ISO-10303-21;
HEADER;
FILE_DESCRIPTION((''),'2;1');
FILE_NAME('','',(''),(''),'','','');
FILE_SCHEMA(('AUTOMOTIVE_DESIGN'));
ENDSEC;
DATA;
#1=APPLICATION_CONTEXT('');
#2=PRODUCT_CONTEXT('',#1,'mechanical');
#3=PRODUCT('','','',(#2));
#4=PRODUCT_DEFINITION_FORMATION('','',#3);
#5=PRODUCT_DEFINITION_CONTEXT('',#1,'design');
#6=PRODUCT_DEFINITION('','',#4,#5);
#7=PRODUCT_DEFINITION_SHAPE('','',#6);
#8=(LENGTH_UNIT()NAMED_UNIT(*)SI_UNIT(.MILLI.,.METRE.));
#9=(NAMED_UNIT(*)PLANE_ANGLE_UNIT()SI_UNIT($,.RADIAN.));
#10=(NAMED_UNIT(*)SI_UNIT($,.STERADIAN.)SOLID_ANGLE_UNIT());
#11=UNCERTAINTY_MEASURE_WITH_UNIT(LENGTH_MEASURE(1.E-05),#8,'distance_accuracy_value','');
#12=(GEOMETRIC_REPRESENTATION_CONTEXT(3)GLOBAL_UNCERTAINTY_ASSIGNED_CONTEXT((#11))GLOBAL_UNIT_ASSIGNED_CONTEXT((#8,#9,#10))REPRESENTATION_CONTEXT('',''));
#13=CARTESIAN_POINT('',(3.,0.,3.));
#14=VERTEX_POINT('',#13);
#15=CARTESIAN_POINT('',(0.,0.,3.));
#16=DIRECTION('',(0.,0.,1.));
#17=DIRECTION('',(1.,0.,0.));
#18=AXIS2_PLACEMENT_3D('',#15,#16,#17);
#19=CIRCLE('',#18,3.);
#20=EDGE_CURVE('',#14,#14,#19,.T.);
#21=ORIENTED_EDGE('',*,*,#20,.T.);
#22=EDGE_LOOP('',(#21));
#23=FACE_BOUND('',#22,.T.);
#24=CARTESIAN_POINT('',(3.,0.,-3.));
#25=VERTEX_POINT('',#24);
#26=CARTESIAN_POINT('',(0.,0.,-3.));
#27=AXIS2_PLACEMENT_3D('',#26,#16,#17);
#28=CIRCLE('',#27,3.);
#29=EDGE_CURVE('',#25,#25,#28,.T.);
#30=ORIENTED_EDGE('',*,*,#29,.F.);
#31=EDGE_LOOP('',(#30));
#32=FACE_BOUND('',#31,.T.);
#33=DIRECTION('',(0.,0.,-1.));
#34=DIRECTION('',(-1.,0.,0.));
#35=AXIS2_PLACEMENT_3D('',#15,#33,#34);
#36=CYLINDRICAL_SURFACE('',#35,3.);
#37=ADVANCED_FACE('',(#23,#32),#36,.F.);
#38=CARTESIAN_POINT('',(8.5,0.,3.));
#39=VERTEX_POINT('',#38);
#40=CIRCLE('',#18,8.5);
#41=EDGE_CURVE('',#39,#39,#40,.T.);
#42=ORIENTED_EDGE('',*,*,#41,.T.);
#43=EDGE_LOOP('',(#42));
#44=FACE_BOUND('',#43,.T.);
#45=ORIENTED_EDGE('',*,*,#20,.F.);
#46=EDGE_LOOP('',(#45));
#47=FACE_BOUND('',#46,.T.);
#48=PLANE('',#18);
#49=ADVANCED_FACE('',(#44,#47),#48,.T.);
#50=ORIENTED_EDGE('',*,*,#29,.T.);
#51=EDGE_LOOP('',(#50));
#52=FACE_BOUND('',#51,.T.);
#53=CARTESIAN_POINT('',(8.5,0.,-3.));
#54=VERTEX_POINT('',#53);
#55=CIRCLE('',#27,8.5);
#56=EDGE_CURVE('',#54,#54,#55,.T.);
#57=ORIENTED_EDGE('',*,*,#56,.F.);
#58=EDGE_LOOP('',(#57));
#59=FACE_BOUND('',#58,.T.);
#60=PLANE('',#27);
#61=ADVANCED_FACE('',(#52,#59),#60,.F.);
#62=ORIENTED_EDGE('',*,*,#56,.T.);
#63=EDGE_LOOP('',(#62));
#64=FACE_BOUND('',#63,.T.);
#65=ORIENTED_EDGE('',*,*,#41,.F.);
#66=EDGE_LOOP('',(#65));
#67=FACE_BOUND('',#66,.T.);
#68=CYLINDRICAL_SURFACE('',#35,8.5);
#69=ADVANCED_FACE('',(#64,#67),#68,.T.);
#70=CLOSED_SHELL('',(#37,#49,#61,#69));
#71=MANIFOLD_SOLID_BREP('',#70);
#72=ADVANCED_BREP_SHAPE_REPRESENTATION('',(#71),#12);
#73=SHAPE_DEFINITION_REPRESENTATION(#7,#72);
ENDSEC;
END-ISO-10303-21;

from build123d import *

# Parameters (mm, degrees)
SKETCH1_R           = 8.5
SKETCH1_R_2         = 3
BOSS_EXTRUDE1_DEPTH = 3


with BuildPart() as part:
    # Sketch1 → Boss-Extrude1 (new body, symmetric)
    with BuildSketch(Plane.XY):
        Circle(SKETCH1_R)
        Circle(SKETCH1_R_2, mode=Mode.SUBTRACT)
    extrude(amount=BOSS_EXTRUDE1_DEPTH, both=True)


solid = part.part
